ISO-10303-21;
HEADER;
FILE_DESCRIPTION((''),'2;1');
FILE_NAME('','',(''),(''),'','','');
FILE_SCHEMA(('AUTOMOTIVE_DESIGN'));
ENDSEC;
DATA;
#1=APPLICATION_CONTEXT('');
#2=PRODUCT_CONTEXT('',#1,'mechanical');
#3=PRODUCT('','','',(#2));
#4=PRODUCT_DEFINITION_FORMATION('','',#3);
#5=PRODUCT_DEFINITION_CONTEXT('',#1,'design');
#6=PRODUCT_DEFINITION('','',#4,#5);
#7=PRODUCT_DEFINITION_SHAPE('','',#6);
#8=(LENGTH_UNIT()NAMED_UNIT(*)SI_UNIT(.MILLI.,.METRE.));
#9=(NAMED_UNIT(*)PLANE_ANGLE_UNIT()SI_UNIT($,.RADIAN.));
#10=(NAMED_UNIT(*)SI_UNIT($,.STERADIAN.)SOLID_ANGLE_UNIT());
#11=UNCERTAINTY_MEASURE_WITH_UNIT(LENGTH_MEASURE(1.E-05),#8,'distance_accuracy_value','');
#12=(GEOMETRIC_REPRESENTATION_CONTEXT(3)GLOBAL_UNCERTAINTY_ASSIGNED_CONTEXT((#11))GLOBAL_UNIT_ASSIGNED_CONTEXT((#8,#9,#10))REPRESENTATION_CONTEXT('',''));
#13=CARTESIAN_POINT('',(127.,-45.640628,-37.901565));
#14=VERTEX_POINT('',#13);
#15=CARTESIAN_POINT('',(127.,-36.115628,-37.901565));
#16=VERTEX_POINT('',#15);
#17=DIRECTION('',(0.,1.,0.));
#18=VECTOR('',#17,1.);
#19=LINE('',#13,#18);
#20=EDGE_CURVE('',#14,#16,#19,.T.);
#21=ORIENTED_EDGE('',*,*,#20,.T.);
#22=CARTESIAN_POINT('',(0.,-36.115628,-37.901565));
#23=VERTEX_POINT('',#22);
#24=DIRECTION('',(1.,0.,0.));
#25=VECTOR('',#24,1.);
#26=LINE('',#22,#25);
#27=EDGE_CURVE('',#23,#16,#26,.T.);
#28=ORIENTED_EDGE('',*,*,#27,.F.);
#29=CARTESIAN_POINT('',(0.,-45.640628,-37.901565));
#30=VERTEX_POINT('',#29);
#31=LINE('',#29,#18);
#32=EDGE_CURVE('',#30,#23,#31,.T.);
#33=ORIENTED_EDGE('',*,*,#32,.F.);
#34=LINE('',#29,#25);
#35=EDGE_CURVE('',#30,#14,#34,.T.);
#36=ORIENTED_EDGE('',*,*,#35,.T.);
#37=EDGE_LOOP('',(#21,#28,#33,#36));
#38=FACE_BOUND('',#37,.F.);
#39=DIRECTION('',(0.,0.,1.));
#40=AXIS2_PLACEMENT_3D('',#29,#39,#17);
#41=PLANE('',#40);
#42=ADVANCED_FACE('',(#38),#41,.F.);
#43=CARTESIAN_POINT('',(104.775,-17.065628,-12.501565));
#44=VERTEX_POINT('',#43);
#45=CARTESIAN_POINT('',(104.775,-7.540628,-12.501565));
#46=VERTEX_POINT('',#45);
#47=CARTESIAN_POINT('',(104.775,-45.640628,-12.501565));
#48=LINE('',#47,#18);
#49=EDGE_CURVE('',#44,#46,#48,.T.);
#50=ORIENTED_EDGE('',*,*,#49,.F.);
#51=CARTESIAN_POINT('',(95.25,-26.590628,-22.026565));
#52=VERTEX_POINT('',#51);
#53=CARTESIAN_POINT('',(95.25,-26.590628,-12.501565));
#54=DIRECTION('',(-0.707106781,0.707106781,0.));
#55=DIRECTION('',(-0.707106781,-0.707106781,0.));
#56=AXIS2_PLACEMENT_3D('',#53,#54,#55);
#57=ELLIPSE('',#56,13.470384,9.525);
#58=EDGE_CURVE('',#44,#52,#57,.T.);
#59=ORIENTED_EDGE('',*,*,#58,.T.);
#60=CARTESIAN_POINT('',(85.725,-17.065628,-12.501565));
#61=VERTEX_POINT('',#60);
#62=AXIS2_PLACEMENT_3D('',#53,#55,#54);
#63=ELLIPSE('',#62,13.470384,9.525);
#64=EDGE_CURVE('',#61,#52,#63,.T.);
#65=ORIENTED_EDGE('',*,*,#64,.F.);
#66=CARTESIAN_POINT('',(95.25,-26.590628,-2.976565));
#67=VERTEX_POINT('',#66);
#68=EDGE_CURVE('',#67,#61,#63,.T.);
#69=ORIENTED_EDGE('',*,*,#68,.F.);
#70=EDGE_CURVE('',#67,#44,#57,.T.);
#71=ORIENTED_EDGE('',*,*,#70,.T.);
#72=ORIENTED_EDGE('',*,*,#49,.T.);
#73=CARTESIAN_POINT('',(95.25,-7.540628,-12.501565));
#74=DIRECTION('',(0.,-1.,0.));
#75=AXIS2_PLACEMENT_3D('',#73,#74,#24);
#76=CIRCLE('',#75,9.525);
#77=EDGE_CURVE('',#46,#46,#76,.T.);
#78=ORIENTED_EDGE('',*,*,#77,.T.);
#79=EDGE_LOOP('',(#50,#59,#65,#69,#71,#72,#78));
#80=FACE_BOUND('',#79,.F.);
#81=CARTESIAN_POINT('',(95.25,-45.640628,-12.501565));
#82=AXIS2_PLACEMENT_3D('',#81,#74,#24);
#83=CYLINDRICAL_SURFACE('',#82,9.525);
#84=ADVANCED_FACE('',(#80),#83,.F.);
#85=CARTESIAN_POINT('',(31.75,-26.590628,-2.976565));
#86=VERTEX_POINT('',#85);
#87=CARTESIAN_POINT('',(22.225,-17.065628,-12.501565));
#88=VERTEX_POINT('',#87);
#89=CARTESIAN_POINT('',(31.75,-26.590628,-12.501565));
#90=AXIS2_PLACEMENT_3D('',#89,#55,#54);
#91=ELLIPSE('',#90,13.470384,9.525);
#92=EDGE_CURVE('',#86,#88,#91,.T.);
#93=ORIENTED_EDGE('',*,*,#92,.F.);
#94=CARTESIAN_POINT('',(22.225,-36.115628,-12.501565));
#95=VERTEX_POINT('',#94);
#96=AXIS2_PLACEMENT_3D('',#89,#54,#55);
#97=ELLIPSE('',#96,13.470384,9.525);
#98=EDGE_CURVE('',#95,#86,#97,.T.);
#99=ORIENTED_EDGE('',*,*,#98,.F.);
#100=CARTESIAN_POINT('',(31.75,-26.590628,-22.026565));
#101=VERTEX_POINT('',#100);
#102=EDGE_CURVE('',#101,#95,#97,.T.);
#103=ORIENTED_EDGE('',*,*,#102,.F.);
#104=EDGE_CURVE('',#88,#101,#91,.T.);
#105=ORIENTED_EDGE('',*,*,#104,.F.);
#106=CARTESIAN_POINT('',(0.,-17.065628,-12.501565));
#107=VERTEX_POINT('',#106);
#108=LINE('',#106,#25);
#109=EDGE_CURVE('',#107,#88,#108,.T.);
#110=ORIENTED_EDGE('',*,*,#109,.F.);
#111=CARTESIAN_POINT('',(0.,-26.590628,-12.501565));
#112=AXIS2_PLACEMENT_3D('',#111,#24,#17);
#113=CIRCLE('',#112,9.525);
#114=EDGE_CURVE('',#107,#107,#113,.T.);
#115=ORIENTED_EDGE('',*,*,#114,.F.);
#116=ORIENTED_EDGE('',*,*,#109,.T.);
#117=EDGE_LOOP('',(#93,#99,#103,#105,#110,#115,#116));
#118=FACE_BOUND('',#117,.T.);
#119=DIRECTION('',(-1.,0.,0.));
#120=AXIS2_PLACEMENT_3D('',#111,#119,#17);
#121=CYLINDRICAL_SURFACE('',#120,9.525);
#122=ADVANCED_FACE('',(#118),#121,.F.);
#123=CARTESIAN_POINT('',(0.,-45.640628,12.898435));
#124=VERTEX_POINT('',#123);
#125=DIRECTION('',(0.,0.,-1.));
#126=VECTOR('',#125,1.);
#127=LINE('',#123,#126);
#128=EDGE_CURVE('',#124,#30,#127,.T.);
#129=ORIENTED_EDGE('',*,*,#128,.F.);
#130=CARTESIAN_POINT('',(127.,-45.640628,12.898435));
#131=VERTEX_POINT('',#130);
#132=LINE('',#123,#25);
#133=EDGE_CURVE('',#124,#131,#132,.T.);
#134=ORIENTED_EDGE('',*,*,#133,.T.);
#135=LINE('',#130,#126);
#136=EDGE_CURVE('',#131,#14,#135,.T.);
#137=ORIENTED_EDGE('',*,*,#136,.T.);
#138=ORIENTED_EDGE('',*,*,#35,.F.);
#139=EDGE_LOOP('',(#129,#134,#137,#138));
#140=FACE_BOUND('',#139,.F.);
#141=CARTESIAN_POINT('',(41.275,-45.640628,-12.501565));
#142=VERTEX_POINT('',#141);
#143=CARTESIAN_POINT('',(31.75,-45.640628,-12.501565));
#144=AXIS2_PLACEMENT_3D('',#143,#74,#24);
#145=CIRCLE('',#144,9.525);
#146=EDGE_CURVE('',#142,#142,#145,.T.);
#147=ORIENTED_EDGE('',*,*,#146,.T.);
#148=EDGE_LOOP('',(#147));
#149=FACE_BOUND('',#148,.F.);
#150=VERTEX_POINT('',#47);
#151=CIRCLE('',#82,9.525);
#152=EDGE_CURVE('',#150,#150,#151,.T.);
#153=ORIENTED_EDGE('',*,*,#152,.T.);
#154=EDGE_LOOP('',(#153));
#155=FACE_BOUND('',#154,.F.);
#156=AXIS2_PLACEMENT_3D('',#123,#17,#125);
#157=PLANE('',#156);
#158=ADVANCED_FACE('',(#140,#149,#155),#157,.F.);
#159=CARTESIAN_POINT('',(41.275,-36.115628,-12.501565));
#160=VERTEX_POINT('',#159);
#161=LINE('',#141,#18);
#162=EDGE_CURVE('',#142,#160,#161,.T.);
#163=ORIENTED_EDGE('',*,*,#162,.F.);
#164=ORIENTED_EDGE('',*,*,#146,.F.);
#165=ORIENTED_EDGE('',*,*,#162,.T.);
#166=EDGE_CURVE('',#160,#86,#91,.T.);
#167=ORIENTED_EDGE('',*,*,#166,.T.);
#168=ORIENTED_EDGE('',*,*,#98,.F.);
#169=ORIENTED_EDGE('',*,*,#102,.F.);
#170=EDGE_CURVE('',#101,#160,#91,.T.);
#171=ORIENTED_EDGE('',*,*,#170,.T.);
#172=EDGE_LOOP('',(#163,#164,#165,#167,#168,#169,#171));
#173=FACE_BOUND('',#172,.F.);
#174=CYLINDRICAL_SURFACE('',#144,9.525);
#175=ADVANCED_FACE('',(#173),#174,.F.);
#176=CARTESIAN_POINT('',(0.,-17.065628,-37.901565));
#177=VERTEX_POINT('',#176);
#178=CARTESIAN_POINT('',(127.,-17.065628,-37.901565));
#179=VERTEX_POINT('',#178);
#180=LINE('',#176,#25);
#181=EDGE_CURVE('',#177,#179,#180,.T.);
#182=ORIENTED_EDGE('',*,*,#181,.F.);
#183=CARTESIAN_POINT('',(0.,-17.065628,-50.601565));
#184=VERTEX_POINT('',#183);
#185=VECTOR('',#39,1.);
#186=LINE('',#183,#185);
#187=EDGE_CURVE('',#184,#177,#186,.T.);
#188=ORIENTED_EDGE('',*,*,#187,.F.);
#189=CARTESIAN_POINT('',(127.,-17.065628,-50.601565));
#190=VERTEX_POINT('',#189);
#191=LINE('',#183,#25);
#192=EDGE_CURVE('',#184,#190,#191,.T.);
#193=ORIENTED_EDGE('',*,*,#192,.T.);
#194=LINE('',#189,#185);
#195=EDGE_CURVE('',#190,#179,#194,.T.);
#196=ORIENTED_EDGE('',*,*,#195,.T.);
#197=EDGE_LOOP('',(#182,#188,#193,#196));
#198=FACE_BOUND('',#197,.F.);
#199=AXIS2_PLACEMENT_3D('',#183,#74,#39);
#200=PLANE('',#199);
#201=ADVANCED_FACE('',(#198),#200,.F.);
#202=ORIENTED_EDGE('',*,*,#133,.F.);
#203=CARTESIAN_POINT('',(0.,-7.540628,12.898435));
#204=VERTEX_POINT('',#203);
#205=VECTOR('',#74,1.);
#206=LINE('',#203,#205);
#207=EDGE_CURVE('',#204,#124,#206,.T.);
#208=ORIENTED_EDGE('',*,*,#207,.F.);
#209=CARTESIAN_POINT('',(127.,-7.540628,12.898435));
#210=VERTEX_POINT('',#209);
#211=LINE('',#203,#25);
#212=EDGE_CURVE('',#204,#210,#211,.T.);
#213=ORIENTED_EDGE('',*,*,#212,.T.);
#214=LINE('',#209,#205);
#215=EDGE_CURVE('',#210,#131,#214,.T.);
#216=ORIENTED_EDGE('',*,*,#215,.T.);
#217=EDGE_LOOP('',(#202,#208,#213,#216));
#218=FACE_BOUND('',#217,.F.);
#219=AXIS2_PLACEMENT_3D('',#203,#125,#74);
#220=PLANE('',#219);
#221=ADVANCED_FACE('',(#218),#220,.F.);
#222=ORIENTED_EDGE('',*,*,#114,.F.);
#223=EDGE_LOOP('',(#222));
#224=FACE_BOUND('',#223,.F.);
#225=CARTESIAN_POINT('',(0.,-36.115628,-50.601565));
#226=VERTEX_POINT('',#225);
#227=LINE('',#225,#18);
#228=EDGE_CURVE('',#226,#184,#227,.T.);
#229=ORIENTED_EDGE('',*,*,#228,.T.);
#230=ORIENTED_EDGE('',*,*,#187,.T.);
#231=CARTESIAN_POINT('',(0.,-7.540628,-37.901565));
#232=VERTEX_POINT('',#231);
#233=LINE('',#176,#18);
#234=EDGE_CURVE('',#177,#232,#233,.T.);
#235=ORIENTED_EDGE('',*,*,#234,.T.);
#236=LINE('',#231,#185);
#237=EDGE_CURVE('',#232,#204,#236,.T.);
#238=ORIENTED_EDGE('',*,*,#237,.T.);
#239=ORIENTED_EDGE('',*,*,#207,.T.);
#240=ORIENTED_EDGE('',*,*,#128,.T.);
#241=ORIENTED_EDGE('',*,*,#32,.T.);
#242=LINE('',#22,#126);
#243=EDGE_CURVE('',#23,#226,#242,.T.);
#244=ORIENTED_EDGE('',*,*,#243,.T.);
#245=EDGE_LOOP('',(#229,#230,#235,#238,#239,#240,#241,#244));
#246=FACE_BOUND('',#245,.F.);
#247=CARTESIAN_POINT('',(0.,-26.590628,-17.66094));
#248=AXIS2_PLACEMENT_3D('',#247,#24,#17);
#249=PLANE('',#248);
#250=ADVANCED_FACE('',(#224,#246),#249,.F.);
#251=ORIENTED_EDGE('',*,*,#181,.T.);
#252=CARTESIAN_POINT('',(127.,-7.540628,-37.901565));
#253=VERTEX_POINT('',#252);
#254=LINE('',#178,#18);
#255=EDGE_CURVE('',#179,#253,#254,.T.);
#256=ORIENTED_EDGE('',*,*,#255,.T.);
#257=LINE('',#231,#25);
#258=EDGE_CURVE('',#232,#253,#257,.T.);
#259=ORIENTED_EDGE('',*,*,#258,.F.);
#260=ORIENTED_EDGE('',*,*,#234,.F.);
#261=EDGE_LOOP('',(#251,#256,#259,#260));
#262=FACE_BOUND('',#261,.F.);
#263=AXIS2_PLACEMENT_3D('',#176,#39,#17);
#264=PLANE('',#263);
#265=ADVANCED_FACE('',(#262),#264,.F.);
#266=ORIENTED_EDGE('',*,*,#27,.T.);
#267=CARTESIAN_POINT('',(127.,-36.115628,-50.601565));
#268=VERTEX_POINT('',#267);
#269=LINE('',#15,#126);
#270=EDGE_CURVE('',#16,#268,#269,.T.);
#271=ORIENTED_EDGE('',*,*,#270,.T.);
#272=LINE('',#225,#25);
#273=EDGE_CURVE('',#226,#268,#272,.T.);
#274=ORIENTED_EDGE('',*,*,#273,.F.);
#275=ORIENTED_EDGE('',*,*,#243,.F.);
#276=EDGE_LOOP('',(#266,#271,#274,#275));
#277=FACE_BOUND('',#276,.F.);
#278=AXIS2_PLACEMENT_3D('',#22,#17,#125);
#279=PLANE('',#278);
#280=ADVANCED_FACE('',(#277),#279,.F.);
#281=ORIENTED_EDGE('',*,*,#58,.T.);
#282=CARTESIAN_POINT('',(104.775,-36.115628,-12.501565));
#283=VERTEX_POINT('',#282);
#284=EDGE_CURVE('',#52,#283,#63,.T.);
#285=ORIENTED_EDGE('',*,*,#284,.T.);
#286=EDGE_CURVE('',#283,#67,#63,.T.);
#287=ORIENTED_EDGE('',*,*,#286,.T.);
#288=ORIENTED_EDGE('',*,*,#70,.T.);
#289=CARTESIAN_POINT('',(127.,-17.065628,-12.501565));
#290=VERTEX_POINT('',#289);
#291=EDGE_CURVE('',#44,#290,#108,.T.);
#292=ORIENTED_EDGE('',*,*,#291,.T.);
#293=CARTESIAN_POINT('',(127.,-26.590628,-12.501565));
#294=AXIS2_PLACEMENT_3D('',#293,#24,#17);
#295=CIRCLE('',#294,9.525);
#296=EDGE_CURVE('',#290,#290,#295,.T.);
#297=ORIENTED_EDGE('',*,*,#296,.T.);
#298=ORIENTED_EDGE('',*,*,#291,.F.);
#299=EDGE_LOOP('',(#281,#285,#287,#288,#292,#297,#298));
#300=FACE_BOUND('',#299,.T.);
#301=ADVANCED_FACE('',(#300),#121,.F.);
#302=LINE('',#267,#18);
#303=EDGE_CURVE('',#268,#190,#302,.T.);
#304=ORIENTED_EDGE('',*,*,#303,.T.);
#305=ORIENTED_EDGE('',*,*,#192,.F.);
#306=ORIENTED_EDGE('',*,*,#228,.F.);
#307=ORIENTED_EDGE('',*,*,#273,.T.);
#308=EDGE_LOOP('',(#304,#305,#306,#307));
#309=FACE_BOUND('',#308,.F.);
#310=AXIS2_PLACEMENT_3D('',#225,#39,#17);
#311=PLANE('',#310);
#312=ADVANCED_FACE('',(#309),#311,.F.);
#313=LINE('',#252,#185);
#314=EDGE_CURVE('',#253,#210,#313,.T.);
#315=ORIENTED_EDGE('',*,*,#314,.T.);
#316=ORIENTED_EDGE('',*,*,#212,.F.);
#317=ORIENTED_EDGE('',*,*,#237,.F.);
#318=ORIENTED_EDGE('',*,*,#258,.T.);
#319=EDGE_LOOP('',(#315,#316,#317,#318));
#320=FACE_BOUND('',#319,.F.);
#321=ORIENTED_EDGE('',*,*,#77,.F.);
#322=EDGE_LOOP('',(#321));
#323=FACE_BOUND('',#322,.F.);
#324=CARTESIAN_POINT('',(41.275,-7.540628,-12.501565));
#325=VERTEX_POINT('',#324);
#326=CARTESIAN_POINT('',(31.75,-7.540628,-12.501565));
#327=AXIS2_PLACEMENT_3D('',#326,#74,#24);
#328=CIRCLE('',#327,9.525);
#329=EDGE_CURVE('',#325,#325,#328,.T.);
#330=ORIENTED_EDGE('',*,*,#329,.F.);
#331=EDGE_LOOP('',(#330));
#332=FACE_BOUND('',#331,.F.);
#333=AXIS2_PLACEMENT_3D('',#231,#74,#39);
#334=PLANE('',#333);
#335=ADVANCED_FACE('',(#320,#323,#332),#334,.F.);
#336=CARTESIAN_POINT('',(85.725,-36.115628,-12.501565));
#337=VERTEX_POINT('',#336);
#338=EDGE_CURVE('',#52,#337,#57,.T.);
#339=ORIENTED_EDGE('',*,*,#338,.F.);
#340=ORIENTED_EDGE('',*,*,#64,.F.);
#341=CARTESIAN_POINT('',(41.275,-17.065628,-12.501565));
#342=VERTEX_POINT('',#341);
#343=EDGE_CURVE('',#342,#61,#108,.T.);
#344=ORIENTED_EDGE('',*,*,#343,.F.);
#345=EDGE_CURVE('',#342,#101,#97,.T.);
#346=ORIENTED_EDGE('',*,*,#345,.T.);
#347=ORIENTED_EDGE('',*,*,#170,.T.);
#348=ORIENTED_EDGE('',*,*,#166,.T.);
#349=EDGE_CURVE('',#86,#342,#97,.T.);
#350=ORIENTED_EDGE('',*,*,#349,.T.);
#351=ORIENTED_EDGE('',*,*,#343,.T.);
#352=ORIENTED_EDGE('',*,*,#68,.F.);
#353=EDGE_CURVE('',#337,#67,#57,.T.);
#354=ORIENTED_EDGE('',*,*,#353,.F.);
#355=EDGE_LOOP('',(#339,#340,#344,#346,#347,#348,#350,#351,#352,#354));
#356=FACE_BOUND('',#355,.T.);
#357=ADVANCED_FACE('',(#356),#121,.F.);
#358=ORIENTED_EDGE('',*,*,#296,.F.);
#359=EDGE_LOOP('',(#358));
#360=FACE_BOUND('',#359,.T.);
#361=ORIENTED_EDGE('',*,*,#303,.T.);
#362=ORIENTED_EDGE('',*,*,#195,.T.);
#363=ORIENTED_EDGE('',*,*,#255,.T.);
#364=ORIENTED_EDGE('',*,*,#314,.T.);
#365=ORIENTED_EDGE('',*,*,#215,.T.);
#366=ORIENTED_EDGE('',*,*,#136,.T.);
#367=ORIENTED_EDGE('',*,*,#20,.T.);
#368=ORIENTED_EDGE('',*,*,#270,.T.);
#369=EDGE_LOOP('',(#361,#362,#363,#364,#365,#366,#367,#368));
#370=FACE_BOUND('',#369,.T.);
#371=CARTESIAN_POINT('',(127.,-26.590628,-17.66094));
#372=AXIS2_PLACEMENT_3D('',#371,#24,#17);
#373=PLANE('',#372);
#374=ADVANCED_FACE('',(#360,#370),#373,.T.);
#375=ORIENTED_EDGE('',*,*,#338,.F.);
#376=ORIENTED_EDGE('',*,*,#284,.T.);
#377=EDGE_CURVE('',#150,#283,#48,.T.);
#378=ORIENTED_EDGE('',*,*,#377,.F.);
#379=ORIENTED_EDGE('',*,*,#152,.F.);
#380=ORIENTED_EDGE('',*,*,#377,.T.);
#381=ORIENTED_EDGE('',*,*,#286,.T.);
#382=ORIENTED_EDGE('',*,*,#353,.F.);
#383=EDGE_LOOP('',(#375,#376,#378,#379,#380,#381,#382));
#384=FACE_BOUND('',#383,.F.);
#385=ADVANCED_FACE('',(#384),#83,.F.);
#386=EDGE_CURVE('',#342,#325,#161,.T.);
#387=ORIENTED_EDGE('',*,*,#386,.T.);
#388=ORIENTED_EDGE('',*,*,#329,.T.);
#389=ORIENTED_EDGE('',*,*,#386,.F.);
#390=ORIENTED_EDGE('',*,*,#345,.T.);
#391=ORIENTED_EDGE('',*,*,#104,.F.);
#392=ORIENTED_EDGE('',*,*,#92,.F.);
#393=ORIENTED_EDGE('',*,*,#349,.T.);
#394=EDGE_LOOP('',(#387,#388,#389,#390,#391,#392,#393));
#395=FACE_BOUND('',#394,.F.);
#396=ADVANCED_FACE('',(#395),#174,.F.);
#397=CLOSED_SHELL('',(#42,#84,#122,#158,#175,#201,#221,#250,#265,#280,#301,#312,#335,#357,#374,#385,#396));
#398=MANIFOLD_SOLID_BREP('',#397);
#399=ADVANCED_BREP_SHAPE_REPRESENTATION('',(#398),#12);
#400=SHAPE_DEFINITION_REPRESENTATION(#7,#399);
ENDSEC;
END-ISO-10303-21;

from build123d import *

# Parameters (mm, degrees)
F0_R     = 9.525
F1_DEPTH = 127
F2_R     = 9.525
F3_DEPTH = 38.101


with BuildPart() as f1:
    # F0 (on Right) → F1 (new body)
    with BuildSketch(Plane.YZ):
        Polygon((-7.540628, 12.898435), (-45.640628, 12.898435), (-45.640628, -37.901565), (-36.115628, -37.901565), (-36.115628, -50.601565), (-17.065628, -50.601565), (-17.065628, -37.901565), (-7.540628, -37.901565), align=None)
        with Locations((-26.590628, -12.501565)):
            Circle(F0_R, mode=Mode.SUBTRACT)
    extrude(amount=F1_DEPTH)

    # F2 (on face) → F3 (cut, through all)
    with BuildSketch(Plane.XZ.offset(45.640628)):
        with Locations((31.75, -12.501565)):
            Circle(F2_R)
        with Locations((95.25, -12.501565)):
            Circle(F2_R)
    extrude(amount=-F3_DEPTH, mode=Mode.SUBTRACT)


solid = f1.part
